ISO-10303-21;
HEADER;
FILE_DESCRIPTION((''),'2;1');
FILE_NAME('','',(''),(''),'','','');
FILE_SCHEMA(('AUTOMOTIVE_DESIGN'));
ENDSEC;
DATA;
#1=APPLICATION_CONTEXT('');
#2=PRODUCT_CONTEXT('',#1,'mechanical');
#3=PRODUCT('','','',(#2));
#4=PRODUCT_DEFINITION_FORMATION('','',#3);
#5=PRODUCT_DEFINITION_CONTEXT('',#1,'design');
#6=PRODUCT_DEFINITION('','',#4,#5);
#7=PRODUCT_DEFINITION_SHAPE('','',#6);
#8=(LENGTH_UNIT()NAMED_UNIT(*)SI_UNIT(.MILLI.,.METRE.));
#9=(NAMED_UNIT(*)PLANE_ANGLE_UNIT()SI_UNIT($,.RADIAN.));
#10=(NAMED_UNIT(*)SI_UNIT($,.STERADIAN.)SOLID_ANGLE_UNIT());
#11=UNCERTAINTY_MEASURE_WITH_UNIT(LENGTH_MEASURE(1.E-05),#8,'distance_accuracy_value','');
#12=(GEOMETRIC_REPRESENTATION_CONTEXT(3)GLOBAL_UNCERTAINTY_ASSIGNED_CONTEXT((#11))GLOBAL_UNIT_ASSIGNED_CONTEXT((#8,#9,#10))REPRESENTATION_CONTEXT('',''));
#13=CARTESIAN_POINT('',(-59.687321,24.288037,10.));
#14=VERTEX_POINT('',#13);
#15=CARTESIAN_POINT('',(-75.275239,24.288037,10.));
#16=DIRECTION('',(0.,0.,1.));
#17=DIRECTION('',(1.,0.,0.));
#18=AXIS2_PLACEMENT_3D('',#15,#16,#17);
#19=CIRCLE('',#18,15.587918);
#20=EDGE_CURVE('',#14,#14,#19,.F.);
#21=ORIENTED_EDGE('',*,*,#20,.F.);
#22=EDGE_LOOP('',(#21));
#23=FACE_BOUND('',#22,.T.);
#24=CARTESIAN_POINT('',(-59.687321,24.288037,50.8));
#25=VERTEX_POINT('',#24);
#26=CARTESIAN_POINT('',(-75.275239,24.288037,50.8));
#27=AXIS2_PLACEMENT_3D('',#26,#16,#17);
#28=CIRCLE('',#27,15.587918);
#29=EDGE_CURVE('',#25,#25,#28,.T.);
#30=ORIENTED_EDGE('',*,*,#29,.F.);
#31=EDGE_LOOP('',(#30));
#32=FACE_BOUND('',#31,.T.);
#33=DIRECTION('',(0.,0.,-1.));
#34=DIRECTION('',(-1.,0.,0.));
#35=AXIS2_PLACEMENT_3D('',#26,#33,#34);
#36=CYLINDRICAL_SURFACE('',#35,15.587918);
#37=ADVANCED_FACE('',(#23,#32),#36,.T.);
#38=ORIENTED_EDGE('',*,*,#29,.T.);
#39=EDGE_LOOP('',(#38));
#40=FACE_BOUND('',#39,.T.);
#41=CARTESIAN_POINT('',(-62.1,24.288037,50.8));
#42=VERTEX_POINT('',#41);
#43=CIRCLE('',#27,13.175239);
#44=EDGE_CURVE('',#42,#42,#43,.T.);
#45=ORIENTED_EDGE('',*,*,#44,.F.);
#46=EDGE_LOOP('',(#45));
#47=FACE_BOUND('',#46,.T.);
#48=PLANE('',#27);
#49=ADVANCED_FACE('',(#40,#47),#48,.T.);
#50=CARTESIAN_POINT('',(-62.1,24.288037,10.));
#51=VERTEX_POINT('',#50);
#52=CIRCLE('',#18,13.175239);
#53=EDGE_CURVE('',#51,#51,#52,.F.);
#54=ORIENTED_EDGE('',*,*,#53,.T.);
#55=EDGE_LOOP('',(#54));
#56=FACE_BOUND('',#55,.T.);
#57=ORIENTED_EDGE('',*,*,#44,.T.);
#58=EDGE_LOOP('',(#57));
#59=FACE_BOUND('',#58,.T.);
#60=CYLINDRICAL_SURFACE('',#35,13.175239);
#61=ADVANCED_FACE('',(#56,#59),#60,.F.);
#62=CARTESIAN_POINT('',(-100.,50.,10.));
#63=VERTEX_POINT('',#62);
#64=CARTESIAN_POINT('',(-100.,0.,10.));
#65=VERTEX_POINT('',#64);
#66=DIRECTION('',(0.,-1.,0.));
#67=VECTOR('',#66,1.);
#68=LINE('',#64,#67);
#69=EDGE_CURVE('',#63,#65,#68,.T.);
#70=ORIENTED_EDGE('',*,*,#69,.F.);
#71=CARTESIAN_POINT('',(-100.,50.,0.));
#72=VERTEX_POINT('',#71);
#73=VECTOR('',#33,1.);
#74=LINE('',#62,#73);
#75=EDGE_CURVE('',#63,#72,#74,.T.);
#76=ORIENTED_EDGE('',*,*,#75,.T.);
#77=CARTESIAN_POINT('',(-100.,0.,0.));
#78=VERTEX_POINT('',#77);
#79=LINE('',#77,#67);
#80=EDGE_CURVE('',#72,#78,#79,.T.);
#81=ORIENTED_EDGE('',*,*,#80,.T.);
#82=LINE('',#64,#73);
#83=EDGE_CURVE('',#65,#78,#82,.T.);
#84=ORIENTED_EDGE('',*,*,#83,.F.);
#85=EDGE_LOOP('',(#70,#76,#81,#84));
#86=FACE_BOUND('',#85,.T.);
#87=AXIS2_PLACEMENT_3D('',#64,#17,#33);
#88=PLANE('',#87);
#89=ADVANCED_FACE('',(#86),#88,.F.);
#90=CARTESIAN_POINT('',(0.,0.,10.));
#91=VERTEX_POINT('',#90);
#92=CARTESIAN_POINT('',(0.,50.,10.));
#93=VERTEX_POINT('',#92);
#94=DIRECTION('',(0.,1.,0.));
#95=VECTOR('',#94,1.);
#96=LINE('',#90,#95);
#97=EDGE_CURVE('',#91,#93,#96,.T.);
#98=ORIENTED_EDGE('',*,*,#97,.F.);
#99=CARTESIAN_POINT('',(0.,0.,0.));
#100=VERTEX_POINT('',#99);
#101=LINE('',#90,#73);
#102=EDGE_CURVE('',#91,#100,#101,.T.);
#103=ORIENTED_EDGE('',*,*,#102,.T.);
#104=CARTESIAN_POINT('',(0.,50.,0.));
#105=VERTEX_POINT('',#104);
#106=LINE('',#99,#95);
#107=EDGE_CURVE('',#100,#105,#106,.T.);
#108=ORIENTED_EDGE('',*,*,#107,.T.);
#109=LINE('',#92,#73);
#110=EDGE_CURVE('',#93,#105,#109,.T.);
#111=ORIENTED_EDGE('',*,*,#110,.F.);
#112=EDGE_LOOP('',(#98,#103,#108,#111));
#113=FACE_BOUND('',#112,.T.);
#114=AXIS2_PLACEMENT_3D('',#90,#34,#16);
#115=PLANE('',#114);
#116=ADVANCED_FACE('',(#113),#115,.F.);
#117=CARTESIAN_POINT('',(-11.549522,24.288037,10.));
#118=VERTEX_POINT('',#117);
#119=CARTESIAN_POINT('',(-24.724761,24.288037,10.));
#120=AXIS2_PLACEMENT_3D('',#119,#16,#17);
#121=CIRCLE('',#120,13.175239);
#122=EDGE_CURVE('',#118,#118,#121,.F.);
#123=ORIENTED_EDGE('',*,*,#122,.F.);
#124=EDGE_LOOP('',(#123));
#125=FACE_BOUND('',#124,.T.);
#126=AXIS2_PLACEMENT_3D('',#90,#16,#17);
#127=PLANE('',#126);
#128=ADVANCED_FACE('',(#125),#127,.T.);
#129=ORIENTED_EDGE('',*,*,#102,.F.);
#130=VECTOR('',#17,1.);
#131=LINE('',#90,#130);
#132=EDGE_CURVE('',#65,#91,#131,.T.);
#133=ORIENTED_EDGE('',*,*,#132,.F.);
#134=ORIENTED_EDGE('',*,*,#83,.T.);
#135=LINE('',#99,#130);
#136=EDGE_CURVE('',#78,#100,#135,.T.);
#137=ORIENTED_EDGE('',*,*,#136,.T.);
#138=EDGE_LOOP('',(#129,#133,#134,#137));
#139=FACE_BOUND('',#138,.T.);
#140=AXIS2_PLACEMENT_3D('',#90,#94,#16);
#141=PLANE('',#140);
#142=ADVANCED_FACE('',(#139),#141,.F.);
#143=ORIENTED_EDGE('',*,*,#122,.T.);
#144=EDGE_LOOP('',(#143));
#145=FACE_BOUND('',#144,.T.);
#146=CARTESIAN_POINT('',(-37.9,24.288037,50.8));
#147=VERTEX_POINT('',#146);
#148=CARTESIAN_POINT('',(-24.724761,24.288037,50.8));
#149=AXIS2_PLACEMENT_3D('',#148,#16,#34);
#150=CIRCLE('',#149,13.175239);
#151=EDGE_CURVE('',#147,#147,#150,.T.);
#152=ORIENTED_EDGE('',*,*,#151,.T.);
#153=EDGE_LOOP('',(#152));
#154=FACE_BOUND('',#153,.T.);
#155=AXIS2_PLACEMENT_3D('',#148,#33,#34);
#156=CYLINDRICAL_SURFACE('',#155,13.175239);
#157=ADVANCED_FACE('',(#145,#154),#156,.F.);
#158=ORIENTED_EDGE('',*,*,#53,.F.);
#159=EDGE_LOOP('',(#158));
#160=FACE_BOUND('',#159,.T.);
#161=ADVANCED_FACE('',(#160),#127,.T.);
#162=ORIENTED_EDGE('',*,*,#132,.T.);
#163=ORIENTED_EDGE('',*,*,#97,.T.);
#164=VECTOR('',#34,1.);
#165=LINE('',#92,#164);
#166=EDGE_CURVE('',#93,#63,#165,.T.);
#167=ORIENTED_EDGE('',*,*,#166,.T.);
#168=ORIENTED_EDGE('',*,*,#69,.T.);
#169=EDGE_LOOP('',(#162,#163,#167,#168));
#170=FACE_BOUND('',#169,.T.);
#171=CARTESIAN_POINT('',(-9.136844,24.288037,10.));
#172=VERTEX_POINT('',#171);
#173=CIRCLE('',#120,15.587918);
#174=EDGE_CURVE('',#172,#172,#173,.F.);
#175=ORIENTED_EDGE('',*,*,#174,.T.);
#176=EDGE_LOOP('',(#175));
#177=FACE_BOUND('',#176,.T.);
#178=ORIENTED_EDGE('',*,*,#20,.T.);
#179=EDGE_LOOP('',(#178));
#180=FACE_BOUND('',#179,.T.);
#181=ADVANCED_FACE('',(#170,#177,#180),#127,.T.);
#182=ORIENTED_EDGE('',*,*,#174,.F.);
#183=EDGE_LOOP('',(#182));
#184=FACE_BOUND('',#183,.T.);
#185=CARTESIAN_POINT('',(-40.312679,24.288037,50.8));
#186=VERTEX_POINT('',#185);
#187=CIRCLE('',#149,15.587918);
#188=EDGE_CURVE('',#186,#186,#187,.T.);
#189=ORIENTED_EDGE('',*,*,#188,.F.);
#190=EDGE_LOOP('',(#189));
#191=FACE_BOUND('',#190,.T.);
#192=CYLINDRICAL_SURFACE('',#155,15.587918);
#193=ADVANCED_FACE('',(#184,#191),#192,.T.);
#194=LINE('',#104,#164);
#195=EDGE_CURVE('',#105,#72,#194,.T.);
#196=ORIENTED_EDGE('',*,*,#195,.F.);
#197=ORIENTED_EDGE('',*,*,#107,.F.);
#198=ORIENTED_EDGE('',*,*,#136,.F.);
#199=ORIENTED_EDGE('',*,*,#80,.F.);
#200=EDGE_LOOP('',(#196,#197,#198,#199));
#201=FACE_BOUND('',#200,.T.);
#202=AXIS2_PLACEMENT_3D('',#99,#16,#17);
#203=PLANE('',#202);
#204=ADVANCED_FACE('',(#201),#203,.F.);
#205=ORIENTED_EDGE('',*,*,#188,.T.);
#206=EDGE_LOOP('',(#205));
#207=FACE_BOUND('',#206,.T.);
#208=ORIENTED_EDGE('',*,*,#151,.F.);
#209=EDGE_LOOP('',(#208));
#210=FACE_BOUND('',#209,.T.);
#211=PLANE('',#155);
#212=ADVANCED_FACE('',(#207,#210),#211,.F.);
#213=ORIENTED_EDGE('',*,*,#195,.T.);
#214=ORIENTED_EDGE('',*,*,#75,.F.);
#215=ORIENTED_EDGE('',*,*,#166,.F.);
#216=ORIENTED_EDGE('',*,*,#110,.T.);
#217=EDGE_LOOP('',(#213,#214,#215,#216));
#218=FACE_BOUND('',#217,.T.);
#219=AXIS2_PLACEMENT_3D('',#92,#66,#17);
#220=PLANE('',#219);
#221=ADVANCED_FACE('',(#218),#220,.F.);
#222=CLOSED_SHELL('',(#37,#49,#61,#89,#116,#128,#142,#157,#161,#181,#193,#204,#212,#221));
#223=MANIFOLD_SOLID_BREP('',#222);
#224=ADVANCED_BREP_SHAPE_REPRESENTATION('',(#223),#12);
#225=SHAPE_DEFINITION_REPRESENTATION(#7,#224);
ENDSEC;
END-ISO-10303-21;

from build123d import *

# Parameters (mm, degrees)
SKETCH1_W           = 100
SKETCH1_H           = 50
BOSS_EXTRUDE1_DEPTH = 10
SKETCH2_R           = 15.587917706
SKETCH2_R_2         = 13.17523912
BOSS_EXTRUDE2_DEPTH = 50.8


with BuildPart() as part:
    # Sketch1 → Boss-Extrude1 (new body)
    with BuildSketch(Plane.XY):
        with Locations((-50, 25)):
            Rectangle(SKETCH1_W, SKETCH1_H)
    extrude(amount=BOSS_EXTRUDE1_DEPTH)

    # Sketch2 → Boss-Extrude2 (add)
    # profile 1 of 2: a face of its own
    with BuildSketch(Plane.XY):
        with Locations((-75.275238724, 24.288037008)):
            Circle(SKETCH2_R)
        with Locations((-75.275238724, 24.288037008)):
            Circle(SKETCH2_R_2, mode=Mode.SUBTRACT)
    # profile 2 of 2: a face of its own
    with BuildSketch(Plane.XY):
        with Locations(Location((-24.724761276, 24.288037008, 0), (0, 0, 180))):
            Circle(SKETCH2_R)
        with Locations(Location((-24.724761276, 24.288037008, 0), (0, 0, 180))):
            Circle(SKETCH2_R_2, mode=Mode.SUBTRACT)
    extrude(amount=BOSS_EXTRUDE2_DEPTH)


solid = part.part
